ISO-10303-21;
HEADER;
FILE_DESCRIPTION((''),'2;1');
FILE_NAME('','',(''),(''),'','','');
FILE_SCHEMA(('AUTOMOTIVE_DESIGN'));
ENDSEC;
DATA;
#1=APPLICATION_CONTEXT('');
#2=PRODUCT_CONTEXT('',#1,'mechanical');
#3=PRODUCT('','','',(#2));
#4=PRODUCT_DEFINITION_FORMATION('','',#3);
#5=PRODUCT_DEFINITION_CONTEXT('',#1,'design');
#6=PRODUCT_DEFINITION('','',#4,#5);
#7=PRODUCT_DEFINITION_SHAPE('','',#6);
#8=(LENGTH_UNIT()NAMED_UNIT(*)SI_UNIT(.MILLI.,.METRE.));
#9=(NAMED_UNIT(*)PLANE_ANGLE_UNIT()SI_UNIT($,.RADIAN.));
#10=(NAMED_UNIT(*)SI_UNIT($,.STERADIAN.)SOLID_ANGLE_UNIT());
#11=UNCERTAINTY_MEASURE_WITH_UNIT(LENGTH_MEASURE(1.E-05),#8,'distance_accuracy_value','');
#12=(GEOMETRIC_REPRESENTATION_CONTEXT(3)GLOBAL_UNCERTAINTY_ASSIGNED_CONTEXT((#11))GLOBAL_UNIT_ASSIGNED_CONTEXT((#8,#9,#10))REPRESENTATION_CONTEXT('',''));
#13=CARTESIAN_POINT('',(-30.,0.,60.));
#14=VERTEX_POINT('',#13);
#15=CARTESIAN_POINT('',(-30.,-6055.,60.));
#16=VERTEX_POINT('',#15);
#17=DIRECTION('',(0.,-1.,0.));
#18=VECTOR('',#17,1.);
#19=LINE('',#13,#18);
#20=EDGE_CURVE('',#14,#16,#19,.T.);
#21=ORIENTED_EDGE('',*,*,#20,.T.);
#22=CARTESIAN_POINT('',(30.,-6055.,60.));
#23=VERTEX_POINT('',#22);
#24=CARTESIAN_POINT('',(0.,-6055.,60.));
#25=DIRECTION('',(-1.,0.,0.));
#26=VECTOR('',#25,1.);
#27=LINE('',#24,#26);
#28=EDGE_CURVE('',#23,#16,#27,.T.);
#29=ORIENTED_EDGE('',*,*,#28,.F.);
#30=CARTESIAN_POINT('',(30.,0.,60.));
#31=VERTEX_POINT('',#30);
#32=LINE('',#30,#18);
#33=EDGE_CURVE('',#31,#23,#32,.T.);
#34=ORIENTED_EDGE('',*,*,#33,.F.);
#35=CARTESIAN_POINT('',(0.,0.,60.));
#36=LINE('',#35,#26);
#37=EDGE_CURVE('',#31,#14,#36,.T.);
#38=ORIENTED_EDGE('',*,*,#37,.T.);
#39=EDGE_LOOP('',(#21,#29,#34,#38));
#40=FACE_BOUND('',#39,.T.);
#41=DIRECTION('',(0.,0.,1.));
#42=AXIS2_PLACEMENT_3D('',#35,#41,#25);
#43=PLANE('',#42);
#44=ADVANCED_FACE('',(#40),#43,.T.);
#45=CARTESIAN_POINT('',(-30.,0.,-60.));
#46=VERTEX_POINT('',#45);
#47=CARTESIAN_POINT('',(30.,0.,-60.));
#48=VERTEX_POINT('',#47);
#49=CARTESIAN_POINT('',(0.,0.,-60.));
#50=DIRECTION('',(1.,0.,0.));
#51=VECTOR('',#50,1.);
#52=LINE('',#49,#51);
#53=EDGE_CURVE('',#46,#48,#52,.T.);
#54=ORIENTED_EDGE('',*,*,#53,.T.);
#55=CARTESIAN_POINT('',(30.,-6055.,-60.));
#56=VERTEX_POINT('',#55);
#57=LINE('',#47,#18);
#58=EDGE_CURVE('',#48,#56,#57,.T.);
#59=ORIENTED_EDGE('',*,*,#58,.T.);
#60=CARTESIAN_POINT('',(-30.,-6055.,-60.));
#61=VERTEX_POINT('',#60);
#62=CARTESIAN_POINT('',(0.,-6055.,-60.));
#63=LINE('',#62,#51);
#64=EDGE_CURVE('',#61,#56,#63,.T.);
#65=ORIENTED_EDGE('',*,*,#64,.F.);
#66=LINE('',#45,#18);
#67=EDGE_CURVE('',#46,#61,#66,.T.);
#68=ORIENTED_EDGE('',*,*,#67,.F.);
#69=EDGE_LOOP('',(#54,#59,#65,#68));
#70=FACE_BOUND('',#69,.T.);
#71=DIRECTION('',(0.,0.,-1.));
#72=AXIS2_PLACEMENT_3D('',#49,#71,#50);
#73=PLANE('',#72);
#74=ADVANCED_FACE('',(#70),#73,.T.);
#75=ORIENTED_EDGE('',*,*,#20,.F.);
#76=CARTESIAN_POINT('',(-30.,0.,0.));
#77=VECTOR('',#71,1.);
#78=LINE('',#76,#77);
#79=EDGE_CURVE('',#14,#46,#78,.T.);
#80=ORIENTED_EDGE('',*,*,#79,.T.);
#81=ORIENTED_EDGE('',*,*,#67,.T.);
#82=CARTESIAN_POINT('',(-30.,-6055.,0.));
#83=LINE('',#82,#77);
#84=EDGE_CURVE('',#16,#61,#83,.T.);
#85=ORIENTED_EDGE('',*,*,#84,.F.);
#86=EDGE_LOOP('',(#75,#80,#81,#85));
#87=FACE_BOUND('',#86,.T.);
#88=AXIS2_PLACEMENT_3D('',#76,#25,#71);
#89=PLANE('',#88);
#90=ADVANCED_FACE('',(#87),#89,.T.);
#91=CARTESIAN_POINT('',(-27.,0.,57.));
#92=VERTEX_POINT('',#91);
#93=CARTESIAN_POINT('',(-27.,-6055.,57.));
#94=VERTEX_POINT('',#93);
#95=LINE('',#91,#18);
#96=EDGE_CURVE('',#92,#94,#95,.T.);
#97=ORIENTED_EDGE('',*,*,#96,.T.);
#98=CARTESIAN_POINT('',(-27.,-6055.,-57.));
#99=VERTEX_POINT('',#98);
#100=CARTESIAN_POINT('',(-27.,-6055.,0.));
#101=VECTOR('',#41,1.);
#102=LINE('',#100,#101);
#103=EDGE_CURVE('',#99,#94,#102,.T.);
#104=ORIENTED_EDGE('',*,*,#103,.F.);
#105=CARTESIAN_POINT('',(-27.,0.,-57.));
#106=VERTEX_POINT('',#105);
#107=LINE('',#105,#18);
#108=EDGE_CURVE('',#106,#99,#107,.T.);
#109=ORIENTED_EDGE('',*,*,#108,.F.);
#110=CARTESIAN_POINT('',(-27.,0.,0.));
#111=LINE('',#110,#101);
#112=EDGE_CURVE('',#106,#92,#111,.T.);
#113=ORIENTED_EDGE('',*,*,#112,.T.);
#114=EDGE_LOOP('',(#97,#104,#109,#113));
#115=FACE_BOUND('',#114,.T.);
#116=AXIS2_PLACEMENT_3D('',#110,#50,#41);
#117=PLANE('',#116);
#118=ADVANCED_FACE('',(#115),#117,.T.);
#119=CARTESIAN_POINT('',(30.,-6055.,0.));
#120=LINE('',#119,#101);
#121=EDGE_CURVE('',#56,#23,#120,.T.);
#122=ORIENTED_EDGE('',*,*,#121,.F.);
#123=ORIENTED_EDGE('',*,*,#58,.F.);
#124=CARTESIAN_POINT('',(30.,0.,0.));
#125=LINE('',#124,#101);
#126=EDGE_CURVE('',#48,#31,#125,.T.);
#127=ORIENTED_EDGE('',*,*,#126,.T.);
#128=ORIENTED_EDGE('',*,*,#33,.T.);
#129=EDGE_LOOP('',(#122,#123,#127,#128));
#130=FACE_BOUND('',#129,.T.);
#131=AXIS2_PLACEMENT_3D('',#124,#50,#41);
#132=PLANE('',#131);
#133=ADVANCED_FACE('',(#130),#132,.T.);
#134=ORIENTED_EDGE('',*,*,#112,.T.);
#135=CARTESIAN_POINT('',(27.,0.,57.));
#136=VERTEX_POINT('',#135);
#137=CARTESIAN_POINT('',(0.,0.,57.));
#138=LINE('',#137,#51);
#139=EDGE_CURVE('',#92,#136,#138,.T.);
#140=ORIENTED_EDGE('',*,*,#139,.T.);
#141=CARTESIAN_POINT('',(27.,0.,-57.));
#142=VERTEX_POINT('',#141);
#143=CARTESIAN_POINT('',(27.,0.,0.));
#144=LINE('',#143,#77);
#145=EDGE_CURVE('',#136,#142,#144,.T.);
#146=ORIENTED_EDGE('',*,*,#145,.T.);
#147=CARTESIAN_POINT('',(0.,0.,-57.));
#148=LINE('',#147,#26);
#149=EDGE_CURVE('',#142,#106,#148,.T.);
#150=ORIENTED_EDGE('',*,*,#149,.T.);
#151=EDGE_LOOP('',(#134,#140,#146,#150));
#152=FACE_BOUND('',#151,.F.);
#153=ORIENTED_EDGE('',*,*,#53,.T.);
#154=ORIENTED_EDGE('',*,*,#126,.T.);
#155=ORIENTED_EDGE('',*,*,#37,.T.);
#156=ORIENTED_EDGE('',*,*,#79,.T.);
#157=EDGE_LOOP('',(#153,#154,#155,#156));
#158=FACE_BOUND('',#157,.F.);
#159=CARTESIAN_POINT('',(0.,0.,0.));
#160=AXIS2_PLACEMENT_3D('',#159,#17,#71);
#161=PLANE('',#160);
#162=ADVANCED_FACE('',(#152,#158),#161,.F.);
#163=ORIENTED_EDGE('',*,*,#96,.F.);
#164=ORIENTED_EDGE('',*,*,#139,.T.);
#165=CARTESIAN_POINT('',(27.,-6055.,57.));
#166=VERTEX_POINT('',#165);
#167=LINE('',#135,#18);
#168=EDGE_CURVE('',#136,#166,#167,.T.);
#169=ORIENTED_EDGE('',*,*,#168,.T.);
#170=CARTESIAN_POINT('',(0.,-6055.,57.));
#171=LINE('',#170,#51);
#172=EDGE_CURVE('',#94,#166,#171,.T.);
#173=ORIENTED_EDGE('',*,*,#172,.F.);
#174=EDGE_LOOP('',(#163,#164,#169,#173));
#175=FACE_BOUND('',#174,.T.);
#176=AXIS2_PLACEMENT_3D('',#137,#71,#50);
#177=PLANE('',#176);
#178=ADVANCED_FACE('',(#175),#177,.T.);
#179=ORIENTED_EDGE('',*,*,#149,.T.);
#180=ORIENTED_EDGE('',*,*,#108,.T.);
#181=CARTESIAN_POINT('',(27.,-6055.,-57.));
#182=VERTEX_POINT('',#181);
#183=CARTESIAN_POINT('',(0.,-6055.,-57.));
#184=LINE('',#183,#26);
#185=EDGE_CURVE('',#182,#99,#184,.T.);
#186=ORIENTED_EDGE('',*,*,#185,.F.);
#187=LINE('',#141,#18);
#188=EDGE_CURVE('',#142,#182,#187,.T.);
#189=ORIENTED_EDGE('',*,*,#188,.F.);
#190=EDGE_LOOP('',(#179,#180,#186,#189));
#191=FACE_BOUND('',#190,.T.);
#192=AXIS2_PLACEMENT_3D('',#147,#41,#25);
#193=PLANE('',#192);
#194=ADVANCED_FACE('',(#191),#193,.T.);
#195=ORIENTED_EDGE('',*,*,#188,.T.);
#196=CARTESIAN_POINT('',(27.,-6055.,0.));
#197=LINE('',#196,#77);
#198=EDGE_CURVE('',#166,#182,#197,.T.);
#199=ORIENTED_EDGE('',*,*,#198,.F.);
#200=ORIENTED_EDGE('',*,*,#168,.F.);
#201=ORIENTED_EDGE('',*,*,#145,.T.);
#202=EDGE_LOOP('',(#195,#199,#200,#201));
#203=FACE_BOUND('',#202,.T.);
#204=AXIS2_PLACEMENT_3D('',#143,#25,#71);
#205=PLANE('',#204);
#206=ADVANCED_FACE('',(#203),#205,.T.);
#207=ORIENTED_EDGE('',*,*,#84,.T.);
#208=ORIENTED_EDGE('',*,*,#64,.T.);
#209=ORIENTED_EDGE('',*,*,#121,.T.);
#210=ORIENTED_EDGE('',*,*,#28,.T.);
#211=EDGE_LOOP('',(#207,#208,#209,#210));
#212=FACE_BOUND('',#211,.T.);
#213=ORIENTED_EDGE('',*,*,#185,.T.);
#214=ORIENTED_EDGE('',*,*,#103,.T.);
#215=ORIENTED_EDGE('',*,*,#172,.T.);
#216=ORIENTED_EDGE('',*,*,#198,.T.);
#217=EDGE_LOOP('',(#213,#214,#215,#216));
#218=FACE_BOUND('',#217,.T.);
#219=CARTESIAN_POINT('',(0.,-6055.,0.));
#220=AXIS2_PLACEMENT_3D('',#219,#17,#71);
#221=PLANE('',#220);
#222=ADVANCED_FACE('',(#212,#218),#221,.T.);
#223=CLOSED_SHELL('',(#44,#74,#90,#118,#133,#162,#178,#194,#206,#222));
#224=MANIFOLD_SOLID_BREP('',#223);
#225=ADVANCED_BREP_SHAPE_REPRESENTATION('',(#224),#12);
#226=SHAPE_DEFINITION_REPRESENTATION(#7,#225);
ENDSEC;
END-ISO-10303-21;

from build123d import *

# Parameters (mm, degrees)
F0_W   = 60
F0_H   = 120
F0_W_2 = 54
F0_H_2 = 114


with BuildPart() as f2:
    # F2: sweep along a path in F1
    with BuildLine(Plane.YZ) as f2_path:
        Line((0, 0), (-6055, 0))
    # F0 (on Front) → F2 (sweep)
    with BuildSketch(Plane.XZ):
        Rectangle(F0_W, F0_H)
        Rectangle(F0_W_2, F0_H_2, mode=Mode.SUBTRACT)
    sweep(path=f2_path.line)


solid = f2.part
